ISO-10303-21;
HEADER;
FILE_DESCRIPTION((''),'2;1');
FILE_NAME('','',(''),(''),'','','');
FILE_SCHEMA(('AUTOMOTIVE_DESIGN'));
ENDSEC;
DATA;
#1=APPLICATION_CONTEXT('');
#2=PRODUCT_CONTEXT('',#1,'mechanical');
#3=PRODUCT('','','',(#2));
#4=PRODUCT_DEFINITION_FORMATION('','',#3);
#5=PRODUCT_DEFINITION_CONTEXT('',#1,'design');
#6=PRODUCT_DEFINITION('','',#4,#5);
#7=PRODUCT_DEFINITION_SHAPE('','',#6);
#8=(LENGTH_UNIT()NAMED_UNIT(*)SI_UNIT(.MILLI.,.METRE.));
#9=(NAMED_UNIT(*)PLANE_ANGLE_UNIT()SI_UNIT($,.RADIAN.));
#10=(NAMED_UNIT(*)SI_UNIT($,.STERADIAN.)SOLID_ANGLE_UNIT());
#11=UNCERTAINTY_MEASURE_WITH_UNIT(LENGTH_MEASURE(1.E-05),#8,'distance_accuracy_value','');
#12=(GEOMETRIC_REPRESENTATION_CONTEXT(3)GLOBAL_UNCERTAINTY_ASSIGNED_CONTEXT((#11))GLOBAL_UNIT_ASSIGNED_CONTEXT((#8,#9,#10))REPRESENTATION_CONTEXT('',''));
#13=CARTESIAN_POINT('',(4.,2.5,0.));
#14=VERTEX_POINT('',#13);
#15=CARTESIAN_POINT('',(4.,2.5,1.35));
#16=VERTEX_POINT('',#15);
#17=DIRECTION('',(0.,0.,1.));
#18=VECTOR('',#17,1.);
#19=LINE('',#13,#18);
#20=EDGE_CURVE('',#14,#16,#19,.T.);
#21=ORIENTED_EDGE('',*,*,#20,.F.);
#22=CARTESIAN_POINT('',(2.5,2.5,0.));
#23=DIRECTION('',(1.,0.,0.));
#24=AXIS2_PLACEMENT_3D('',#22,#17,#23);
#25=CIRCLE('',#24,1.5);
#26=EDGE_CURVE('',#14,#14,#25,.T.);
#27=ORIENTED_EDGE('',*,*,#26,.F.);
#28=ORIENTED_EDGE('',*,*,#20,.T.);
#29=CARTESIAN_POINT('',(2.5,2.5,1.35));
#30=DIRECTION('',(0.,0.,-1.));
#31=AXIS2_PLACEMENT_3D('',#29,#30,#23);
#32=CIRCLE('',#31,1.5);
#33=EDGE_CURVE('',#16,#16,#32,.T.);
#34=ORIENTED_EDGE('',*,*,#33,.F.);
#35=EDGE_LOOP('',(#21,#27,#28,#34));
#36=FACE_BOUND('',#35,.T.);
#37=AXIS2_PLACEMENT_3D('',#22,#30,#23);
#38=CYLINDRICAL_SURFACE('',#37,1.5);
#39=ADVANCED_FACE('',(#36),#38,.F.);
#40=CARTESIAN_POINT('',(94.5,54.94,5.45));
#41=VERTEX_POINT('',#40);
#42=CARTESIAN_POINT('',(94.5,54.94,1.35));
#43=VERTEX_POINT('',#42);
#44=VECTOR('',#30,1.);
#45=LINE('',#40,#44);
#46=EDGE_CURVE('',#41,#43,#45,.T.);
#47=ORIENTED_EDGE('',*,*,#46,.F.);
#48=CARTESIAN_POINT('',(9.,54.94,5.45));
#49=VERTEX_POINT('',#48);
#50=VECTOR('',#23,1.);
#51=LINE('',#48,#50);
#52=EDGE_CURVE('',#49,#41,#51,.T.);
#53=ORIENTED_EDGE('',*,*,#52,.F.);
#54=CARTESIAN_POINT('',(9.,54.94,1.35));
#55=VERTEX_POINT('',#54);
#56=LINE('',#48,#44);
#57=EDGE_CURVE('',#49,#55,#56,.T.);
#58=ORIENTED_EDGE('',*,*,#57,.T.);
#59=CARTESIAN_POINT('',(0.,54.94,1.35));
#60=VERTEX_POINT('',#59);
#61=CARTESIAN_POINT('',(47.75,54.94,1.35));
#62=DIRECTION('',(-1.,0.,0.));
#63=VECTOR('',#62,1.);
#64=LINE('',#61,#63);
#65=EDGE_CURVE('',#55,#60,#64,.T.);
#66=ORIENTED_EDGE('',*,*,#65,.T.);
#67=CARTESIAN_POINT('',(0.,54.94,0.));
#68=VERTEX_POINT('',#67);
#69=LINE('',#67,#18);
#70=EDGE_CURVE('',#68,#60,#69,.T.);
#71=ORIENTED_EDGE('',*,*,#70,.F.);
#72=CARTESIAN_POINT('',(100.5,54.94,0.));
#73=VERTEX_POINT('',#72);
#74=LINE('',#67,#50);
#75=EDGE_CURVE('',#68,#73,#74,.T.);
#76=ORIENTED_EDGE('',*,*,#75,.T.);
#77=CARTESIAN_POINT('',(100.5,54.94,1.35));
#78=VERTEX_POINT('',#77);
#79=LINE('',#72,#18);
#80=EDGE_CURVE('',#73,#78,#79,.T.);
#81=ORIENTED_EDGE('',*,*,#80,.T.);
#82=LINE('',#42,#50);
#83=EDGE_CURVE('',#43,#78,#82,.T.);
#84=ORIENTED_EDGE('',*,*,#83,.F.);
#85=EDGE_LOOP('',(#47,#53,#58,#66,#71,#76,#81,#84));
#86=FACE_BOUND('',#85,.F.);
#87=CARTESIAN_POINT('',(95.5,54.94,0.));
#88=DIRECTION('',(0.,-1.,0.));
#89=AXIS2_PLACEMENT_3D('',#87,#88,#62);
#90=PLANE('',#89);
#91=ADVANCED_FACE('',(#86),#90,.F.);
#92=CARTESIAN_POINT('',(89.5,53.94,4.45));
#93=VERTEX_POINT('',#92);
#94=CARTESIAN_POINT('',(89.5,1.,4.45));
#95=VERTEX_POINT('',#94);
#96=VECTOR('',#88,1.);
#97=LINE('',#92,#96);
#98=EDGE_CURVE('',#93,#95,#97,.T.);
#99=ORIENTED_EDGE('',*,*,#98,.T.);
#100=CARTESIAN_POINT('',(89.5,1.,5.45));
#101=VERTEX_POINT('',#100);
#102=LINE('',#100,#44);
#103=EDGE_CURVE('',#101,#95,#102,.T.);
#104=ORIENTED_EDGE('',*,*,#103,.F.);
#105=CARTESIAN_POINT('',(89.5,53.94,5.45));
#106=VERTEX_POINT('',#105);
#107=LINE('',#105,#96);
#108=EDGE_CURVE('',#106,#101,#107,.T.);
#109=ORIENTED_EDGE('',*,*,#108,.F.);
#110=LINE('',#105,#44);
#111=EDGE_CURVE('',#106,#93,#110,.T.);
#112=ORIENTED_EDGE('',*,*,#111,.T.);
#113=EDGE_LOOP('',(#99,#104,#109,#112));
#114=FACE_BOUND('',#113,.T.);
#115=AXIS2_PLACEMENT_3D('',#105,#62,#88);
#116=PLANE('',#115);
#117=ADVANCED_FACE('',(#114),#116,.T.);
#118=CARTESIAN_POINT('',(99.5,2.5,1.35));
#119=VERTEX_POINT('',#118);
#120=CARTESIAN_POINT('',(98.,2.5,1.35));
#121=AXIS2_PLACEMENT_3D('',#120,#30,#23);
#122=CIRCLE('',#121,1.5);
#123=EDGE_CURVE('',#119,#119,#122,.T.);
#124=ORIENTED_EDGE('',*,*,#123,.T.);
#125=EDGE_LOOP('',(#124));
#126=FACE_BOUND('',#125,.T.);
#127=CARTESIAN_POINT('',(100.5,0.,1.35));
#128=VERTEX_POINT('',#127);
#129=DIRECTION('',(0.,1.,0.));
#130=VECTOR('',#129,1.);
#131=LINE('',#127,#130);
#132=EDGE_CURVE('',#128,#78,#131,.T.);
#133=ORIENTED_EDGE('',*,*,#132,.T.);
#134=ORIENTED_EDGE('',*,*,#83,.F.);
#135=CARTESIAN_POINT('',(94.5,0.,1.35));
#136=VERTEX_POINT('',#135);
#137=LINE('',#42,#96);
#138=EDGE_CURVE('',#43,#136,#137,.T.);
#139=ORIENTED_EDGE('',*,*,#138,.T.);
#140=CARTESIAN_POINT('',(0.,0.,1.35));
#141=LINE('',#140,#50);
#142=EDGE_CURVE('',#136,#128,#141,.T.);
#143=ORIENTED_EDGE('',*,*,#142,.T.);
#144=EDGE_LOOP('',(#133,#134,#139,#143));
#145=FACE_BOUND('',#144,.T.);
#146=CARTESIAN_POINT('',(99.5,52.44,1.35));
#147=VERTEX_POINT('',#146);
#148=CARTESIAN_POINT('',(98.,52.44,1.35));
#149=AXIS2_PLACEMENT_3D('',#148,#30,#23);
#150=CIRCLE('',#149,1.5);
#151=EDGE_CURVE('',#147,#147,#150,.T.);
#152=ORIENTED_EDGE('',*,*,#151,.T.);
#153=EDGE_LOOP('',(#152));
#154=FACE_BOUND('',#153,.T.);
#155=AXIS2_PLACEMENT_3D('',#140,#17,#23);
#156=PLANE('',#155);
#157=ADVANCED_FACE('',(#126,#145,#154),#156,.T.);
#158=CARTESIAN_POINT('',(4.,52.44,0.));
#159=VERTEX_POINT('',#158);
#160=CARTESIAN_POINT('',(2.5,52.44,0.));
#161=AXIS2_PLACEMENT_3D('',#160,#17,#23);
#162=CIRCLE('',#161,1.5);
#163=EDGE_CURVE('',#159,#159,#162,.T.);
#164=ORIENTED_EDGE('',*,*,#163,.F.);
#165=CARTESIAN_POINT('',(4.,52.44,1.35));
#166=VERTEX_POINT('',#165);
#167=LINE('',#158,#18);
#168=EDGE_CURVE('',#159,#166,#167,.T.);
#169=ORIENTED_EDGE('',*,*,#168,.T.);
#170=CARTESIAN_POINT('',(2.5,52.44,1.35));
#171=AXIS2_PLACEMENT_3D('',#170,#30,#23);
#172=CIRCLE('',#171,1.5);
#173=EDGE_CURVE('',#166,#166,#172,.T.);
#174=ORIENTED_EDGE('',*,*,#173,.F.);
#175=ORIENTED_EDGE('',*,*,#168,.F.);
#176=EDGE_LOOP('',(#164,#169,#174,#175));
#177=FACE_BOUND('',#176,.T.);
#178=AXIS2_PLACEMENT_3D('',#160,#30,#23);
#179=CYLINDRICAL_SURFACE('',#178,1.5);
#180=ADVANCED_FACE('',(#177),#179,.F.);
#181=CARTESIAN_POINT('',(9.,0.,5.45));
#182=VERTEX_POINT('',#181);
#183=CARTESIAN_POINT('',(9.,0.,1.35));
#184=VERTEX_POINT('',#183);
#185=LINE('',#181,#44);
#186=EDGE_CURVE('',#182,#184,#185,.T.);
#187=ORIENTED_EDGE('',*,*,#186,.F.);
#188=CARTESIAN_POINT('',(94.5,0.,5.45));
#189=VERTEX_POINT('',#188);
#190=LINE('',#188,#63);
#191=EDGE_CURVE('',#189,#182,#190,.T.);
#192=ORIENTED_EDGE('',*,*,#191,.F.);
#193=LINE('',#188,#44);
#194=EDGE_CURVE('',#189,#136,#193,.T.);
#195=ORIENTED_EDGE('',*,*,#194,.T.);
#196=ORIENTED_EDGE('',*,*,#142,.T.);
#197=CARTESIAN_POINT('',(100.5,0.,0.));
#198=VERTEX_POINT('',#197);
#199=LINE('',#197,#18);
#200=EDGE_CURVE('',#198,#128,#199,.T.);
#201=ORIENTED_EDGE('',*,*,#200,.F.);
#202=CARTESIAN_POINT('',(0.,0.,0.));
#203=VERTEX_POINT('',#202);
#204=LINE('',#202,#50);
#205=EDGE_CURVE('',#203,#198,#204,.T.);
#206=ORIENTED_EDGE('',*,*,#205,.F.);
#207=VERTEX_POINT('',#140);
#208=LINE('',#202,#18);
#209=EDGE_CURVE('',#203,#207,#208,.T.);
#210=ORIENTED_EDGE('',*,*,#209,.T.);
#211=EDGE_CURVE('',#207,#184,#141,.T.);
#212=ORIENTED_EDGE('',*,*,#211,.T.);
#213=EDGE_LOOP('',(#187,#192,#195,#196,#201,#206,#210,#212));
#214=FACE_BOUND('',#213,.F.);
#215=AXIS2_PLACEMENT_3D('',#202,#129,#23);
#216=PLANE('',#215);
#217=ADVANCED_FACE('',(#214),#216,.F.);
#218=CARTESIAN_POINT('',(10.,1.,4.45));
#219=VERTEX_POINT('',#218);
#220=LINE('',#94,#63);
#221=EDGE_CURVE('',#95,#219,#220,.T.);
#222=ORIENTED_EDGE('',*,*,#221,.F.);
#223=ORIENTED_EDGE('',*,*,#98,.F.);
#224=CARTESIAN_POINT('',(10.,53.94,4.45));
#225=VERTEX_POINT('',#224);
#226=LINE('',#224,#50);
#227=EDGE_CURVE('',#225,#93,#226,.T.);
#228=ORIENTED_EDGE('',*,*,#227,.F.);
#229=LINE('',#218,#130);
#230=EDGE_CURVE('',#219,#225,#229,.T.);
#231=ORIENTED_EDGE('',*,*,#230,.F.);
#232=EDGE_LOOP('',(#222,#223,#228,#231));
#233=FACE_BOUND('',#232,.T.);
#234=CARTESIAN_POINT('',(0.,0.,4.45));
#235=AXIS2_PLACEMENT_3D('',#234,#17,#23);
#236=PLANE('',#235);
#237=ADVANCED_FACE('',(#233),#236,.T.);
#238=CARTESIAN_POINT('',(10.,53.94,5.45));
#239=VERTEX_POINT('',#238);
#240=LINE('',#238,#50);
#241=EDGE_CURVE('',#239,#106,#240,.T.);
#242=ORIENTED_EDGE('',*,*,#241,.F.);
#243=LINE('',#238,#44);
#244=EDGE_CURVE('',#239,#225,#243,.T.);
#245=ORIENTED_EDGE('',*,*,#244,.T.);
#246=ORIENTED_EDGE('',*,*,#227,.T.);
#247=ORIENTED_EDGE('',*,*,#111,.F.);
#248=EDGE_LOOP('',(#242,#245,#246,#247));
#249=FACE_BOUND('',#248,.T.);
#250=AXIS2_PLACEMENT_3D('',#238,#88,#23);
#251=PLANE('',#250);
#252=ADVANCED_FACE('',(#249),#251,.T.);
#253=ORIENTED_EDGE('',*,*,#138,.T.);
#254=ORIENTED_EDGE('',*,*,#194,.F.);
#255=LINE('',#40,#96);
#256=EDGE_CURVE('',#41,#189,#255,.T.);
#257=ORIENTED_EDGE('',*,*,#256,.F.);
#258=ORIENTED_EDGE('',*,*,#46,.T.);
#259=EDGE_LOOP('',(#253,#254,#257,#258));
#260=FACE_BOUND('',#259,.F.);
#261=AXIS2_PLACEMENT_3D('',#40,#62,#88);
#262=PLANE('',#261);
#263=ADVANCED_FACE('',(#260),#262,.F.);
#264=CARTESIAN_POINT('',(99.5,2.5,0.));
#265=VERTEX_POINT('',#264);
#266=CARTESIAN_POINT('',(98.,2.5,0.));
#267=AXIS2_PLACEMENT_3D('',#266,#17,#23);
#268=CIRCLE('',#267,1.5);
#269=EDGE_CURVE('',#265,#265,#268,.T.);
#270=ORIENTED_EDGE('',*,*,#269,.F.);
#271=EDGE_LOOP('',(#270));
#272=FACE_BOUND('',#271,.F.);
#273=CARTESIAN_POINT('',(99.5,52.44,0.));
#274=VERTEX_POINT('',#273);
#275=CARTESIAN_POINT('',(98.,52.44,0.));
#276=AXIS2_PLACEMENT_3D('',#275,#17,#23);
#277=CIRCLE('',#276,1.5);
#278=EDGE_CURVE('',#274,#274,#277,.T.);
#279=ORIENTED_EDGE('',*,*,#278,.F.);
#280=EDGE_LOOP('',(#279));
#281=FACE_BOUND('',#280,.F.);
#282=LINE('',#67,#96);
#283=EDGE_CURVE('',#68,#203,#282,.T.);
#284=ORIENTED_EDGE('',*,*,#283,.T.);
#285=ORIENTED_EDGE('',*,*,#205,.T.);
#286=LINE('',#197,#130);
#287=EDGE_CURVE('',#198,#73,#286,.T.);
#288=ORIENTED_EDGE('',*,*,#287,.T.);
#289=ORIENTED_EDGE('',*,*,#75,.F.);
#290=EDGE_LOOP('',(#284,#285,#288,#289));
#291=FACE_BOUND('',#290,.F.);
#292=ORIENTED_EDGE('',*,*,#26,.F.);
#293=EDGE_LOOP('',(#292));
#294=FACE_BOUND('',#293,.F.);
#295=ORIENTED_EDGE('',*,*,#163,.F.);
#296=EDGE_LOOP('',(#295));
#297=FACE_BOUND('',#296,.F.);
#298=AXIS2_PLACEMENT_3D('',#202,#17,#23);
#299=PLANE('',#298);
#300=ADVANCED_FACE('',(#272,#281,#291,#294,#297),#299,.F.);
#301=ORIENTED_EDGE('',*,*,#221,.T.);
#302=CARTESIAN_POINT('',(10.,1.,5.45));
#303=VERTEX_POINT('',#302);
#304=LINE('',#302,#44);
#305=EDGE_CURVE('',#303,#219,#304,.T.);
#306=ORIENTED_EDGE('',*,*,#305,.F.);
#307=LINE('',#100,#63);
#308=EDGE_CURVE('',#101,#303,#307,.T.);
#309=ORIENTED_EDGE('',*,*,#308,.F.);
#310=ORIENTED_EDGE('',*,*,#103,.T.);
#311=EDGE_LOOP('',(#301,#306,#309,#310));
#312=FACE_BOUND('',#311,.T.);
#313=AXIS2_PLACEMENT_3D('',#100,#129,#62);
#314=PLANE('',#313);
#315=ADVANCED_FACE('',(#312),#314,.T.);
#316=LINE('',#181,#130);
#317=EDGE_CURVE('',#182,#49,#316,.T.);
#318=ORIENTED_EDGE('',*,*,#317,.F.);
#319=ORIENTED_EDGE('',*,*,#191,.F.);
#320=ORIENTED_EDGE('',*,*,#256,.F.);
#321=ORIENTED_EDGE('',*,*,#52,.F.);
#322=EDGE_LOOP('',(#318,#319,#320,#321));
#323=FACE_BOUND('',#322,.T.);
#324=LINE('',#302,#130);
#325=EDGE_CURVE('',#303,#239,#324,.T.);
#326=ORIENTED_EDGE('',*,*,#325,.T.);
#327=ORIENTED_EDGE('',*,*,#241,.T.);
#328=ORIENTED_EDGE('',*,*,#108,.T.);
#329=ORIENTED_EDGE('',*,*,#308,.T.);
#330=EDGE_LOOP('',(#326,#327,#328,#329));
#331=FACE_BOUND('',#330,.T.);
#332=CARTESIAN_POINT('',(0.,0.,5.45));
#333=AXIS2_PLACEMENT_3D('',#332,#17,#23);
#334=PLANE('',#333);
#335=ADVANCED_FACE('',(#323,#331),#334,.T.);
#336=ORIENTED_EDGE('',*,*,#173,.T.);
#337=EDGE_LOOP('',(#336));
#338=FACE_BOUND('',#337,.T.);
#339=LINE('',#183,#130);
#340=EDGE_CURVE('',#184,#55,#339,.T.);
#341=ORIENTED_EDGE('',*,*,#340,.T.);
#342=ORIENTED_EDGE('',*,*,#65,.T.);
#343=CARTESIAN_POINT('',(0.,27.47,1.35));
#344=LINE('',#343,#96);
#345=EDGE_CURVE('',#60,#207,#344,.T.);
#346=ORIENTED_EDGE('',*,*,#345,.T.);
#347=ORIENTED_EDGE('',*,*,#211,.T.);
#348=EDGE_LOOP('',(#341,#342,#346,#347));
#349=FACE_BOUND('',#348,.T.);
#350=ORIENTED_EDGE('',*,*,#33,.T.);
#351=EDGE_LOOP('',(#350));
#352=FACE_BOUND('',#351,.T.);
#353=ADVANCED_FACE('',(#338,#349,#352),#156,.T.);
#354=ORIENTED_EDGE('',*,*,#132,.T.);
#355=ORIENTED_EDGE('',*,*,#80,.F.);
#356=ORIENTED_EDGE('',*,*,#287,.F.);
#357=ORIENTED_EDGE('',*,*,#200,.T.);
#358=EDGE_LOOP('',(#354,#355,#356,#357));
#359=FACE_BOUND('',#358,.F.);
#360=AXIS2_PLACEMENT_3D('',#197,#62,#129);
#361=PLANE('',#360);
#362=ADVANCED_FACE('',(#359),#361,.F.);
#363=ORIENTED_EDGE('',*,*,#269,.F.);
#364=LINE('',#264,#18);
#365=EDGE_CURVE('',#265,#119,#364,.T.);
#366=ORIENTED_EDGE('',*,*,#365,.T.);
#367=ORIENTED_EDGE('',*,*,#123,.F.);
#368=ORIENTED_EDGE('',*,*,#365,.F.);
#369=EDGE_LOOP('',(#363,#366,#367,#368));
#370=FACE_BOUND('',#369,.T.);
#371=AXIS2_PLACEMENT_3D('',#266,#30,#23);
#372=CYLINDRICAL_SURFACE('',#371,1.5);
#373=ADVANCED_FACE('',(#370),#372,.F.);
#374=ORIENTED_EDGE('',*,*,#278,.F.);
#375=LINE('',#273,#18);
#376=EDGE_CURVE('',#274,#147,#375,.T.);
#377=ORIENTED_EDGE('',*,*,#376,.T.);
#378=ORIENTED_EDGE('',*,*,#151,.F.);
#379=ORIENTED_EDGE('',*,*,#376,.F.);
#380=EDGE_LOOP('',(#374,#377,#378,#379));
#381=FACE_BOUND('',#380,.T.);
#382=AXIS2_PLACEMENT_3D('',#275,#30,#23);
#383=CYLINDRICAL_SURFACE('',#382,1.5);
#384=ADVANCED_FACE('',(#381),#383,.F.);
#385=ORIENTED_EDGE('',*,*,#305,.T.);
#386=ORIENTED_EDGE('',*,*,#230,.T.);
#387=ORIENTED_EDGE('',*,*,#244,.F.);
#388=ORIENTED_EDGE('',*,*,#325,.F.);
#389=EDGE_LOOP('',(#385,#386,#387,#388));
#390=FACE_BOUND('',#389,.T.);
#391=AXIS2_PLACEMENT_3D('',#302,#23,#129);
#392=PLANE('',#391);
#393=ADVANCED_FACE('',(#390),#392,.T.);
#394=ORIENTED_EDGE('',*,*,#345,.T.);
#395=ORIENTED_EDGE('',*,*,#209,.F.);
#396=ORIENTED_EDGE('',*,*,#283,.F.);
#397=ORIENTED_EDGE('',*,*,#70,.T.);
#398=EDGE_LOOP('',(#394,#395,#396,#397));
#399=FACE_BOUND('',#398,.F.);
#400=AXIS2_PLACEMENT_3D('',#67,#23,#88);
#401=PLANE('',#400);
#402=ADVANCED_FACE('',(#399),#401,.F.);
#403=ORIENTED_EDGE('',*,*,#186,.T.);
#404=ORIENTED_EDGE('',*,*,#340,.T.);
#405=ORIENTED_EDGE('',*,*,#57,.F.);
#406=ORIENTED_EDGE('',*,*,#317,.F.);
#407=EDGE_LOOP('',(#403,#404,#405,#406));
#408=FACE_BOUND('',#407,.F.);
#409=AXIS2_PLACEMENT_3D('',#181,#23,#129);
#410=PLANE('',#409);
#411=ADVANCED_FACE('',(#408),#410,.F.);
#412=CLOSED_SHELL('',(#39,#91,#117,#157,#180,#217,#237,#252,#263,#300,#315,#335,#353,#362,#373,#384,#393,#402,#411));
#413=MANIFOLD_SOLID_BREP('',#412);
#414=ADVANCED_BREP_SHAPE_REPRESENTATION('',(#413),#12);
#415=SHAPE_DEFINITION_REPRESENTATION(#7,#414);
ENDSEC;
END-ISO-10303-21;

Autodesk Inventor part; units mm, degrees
ref_plane "YZ Plane" through (0, 0, 0) normal (1, 0, 0) x (0, 1, 0)
ref_plane "XZ Plane" through (0, 0, 0) normal (0, 1, 0) x (-1, 0, 0)
ref_plane "XY Plane" through (0, 0, 0) normal (0, 0, 1) x (1, 0, 0)
sketch "Эскиз1" plane through (0, 0, 0) normal (0, 0, 1) x (1, 0, 0)
  line L0 (0, 0) -> (100.5, 0)
  line L1 (100.5, 0) -> (100.5, 54.94)
  line L2 (100.5, 54.94) -> (0, 54.94)
  line L3 (0, 54.94) -> (0, 0)
  circle A0 centre (2.5, 52.44) radius 1.5
  circle A1 centre (98, 52.44) radius 1.5
  line L4 (196, 54.94) -> (95.5, 54.94)
  circle A2 centre (2.5, 2.5) radius 1.5
  circle A3 centre (98, 2.5) radius 1.5
  dimension "d0" = 100.5
  dimension "d1" = 54.94
  dimension "d2" = 3
  dimension "d3" = 2.5
  dimension "d4" = 2.5
  dimension "d7" = 95.5
  dimension "d14" = 49.94
extrude "Выдавливание1" add sketch "Эскиз1" along normal blind 5.45
sketch "Эскиз2" plane through (0, 0, 5.45) normal (0, 0, 1) x (1, 0, 0)
  line L0 (9, 54.94) -> (94.5, 54.94)
  line L1 (94.5, 54.94) -> (94.5, 0)
  line L2 (94.5, 0) -> (9, 0)
  line L3 (9, 0) -> (9, 54.94)
  line L4 (100.5, 54.94) -> (0, 54.94) projected
  line L5 (100.5, 0) -> (100.5, 54.94) projected
  line L6 (-12, 65) -> (119, 65)
  line L7 (119, 65) -> (119, -14)
  line L8 (119, -14) -> (-12, -14)
  line L9 (-12, -14) -> (-12, 65)
  point P0 (0, 0)
  point P1 (50.25, 54.94)
  dimension "d21" = 85.5
  dimension "d22" = 54.94
  dimension "d23" = 6
extrude "Выдавливание2" cut sketch "Эскиз2" against normal blind 4.1
sketch "Эскиз3" plane through (0, 0, 5.45) normal (0, 0, 1) x (1, 0, 0)
  line L0 (10, 53.94) -> (89.5, 53.94)
  line L1 (89.5, 53.94) -> (89.5, 1)
  line L2 (89.5, 1) -> (10, 1)
  line L3 (10, 1) -> (10, 53.94)
  line L4 (94.5, 54.94) -> (9, 54.94) projected
  line L5 (9, 54.94) -> (9, 0) projected
  line L6 (9, 0) -> (94.5, 0) projected
  line L7 (94.5, 0) -> (94.5, 54.94) projected
  point P0 (0, 0)
  dimension "d28" = 1
  dimension "d29" = 1
  dimension "d30" = 1
  dimension "d31" = 5
extrude "Выдавливание3" cut sketch "Эскиз3" against normal blind 1 contours L0 L1 L2 L3
properties part number "NextionDisplay"
